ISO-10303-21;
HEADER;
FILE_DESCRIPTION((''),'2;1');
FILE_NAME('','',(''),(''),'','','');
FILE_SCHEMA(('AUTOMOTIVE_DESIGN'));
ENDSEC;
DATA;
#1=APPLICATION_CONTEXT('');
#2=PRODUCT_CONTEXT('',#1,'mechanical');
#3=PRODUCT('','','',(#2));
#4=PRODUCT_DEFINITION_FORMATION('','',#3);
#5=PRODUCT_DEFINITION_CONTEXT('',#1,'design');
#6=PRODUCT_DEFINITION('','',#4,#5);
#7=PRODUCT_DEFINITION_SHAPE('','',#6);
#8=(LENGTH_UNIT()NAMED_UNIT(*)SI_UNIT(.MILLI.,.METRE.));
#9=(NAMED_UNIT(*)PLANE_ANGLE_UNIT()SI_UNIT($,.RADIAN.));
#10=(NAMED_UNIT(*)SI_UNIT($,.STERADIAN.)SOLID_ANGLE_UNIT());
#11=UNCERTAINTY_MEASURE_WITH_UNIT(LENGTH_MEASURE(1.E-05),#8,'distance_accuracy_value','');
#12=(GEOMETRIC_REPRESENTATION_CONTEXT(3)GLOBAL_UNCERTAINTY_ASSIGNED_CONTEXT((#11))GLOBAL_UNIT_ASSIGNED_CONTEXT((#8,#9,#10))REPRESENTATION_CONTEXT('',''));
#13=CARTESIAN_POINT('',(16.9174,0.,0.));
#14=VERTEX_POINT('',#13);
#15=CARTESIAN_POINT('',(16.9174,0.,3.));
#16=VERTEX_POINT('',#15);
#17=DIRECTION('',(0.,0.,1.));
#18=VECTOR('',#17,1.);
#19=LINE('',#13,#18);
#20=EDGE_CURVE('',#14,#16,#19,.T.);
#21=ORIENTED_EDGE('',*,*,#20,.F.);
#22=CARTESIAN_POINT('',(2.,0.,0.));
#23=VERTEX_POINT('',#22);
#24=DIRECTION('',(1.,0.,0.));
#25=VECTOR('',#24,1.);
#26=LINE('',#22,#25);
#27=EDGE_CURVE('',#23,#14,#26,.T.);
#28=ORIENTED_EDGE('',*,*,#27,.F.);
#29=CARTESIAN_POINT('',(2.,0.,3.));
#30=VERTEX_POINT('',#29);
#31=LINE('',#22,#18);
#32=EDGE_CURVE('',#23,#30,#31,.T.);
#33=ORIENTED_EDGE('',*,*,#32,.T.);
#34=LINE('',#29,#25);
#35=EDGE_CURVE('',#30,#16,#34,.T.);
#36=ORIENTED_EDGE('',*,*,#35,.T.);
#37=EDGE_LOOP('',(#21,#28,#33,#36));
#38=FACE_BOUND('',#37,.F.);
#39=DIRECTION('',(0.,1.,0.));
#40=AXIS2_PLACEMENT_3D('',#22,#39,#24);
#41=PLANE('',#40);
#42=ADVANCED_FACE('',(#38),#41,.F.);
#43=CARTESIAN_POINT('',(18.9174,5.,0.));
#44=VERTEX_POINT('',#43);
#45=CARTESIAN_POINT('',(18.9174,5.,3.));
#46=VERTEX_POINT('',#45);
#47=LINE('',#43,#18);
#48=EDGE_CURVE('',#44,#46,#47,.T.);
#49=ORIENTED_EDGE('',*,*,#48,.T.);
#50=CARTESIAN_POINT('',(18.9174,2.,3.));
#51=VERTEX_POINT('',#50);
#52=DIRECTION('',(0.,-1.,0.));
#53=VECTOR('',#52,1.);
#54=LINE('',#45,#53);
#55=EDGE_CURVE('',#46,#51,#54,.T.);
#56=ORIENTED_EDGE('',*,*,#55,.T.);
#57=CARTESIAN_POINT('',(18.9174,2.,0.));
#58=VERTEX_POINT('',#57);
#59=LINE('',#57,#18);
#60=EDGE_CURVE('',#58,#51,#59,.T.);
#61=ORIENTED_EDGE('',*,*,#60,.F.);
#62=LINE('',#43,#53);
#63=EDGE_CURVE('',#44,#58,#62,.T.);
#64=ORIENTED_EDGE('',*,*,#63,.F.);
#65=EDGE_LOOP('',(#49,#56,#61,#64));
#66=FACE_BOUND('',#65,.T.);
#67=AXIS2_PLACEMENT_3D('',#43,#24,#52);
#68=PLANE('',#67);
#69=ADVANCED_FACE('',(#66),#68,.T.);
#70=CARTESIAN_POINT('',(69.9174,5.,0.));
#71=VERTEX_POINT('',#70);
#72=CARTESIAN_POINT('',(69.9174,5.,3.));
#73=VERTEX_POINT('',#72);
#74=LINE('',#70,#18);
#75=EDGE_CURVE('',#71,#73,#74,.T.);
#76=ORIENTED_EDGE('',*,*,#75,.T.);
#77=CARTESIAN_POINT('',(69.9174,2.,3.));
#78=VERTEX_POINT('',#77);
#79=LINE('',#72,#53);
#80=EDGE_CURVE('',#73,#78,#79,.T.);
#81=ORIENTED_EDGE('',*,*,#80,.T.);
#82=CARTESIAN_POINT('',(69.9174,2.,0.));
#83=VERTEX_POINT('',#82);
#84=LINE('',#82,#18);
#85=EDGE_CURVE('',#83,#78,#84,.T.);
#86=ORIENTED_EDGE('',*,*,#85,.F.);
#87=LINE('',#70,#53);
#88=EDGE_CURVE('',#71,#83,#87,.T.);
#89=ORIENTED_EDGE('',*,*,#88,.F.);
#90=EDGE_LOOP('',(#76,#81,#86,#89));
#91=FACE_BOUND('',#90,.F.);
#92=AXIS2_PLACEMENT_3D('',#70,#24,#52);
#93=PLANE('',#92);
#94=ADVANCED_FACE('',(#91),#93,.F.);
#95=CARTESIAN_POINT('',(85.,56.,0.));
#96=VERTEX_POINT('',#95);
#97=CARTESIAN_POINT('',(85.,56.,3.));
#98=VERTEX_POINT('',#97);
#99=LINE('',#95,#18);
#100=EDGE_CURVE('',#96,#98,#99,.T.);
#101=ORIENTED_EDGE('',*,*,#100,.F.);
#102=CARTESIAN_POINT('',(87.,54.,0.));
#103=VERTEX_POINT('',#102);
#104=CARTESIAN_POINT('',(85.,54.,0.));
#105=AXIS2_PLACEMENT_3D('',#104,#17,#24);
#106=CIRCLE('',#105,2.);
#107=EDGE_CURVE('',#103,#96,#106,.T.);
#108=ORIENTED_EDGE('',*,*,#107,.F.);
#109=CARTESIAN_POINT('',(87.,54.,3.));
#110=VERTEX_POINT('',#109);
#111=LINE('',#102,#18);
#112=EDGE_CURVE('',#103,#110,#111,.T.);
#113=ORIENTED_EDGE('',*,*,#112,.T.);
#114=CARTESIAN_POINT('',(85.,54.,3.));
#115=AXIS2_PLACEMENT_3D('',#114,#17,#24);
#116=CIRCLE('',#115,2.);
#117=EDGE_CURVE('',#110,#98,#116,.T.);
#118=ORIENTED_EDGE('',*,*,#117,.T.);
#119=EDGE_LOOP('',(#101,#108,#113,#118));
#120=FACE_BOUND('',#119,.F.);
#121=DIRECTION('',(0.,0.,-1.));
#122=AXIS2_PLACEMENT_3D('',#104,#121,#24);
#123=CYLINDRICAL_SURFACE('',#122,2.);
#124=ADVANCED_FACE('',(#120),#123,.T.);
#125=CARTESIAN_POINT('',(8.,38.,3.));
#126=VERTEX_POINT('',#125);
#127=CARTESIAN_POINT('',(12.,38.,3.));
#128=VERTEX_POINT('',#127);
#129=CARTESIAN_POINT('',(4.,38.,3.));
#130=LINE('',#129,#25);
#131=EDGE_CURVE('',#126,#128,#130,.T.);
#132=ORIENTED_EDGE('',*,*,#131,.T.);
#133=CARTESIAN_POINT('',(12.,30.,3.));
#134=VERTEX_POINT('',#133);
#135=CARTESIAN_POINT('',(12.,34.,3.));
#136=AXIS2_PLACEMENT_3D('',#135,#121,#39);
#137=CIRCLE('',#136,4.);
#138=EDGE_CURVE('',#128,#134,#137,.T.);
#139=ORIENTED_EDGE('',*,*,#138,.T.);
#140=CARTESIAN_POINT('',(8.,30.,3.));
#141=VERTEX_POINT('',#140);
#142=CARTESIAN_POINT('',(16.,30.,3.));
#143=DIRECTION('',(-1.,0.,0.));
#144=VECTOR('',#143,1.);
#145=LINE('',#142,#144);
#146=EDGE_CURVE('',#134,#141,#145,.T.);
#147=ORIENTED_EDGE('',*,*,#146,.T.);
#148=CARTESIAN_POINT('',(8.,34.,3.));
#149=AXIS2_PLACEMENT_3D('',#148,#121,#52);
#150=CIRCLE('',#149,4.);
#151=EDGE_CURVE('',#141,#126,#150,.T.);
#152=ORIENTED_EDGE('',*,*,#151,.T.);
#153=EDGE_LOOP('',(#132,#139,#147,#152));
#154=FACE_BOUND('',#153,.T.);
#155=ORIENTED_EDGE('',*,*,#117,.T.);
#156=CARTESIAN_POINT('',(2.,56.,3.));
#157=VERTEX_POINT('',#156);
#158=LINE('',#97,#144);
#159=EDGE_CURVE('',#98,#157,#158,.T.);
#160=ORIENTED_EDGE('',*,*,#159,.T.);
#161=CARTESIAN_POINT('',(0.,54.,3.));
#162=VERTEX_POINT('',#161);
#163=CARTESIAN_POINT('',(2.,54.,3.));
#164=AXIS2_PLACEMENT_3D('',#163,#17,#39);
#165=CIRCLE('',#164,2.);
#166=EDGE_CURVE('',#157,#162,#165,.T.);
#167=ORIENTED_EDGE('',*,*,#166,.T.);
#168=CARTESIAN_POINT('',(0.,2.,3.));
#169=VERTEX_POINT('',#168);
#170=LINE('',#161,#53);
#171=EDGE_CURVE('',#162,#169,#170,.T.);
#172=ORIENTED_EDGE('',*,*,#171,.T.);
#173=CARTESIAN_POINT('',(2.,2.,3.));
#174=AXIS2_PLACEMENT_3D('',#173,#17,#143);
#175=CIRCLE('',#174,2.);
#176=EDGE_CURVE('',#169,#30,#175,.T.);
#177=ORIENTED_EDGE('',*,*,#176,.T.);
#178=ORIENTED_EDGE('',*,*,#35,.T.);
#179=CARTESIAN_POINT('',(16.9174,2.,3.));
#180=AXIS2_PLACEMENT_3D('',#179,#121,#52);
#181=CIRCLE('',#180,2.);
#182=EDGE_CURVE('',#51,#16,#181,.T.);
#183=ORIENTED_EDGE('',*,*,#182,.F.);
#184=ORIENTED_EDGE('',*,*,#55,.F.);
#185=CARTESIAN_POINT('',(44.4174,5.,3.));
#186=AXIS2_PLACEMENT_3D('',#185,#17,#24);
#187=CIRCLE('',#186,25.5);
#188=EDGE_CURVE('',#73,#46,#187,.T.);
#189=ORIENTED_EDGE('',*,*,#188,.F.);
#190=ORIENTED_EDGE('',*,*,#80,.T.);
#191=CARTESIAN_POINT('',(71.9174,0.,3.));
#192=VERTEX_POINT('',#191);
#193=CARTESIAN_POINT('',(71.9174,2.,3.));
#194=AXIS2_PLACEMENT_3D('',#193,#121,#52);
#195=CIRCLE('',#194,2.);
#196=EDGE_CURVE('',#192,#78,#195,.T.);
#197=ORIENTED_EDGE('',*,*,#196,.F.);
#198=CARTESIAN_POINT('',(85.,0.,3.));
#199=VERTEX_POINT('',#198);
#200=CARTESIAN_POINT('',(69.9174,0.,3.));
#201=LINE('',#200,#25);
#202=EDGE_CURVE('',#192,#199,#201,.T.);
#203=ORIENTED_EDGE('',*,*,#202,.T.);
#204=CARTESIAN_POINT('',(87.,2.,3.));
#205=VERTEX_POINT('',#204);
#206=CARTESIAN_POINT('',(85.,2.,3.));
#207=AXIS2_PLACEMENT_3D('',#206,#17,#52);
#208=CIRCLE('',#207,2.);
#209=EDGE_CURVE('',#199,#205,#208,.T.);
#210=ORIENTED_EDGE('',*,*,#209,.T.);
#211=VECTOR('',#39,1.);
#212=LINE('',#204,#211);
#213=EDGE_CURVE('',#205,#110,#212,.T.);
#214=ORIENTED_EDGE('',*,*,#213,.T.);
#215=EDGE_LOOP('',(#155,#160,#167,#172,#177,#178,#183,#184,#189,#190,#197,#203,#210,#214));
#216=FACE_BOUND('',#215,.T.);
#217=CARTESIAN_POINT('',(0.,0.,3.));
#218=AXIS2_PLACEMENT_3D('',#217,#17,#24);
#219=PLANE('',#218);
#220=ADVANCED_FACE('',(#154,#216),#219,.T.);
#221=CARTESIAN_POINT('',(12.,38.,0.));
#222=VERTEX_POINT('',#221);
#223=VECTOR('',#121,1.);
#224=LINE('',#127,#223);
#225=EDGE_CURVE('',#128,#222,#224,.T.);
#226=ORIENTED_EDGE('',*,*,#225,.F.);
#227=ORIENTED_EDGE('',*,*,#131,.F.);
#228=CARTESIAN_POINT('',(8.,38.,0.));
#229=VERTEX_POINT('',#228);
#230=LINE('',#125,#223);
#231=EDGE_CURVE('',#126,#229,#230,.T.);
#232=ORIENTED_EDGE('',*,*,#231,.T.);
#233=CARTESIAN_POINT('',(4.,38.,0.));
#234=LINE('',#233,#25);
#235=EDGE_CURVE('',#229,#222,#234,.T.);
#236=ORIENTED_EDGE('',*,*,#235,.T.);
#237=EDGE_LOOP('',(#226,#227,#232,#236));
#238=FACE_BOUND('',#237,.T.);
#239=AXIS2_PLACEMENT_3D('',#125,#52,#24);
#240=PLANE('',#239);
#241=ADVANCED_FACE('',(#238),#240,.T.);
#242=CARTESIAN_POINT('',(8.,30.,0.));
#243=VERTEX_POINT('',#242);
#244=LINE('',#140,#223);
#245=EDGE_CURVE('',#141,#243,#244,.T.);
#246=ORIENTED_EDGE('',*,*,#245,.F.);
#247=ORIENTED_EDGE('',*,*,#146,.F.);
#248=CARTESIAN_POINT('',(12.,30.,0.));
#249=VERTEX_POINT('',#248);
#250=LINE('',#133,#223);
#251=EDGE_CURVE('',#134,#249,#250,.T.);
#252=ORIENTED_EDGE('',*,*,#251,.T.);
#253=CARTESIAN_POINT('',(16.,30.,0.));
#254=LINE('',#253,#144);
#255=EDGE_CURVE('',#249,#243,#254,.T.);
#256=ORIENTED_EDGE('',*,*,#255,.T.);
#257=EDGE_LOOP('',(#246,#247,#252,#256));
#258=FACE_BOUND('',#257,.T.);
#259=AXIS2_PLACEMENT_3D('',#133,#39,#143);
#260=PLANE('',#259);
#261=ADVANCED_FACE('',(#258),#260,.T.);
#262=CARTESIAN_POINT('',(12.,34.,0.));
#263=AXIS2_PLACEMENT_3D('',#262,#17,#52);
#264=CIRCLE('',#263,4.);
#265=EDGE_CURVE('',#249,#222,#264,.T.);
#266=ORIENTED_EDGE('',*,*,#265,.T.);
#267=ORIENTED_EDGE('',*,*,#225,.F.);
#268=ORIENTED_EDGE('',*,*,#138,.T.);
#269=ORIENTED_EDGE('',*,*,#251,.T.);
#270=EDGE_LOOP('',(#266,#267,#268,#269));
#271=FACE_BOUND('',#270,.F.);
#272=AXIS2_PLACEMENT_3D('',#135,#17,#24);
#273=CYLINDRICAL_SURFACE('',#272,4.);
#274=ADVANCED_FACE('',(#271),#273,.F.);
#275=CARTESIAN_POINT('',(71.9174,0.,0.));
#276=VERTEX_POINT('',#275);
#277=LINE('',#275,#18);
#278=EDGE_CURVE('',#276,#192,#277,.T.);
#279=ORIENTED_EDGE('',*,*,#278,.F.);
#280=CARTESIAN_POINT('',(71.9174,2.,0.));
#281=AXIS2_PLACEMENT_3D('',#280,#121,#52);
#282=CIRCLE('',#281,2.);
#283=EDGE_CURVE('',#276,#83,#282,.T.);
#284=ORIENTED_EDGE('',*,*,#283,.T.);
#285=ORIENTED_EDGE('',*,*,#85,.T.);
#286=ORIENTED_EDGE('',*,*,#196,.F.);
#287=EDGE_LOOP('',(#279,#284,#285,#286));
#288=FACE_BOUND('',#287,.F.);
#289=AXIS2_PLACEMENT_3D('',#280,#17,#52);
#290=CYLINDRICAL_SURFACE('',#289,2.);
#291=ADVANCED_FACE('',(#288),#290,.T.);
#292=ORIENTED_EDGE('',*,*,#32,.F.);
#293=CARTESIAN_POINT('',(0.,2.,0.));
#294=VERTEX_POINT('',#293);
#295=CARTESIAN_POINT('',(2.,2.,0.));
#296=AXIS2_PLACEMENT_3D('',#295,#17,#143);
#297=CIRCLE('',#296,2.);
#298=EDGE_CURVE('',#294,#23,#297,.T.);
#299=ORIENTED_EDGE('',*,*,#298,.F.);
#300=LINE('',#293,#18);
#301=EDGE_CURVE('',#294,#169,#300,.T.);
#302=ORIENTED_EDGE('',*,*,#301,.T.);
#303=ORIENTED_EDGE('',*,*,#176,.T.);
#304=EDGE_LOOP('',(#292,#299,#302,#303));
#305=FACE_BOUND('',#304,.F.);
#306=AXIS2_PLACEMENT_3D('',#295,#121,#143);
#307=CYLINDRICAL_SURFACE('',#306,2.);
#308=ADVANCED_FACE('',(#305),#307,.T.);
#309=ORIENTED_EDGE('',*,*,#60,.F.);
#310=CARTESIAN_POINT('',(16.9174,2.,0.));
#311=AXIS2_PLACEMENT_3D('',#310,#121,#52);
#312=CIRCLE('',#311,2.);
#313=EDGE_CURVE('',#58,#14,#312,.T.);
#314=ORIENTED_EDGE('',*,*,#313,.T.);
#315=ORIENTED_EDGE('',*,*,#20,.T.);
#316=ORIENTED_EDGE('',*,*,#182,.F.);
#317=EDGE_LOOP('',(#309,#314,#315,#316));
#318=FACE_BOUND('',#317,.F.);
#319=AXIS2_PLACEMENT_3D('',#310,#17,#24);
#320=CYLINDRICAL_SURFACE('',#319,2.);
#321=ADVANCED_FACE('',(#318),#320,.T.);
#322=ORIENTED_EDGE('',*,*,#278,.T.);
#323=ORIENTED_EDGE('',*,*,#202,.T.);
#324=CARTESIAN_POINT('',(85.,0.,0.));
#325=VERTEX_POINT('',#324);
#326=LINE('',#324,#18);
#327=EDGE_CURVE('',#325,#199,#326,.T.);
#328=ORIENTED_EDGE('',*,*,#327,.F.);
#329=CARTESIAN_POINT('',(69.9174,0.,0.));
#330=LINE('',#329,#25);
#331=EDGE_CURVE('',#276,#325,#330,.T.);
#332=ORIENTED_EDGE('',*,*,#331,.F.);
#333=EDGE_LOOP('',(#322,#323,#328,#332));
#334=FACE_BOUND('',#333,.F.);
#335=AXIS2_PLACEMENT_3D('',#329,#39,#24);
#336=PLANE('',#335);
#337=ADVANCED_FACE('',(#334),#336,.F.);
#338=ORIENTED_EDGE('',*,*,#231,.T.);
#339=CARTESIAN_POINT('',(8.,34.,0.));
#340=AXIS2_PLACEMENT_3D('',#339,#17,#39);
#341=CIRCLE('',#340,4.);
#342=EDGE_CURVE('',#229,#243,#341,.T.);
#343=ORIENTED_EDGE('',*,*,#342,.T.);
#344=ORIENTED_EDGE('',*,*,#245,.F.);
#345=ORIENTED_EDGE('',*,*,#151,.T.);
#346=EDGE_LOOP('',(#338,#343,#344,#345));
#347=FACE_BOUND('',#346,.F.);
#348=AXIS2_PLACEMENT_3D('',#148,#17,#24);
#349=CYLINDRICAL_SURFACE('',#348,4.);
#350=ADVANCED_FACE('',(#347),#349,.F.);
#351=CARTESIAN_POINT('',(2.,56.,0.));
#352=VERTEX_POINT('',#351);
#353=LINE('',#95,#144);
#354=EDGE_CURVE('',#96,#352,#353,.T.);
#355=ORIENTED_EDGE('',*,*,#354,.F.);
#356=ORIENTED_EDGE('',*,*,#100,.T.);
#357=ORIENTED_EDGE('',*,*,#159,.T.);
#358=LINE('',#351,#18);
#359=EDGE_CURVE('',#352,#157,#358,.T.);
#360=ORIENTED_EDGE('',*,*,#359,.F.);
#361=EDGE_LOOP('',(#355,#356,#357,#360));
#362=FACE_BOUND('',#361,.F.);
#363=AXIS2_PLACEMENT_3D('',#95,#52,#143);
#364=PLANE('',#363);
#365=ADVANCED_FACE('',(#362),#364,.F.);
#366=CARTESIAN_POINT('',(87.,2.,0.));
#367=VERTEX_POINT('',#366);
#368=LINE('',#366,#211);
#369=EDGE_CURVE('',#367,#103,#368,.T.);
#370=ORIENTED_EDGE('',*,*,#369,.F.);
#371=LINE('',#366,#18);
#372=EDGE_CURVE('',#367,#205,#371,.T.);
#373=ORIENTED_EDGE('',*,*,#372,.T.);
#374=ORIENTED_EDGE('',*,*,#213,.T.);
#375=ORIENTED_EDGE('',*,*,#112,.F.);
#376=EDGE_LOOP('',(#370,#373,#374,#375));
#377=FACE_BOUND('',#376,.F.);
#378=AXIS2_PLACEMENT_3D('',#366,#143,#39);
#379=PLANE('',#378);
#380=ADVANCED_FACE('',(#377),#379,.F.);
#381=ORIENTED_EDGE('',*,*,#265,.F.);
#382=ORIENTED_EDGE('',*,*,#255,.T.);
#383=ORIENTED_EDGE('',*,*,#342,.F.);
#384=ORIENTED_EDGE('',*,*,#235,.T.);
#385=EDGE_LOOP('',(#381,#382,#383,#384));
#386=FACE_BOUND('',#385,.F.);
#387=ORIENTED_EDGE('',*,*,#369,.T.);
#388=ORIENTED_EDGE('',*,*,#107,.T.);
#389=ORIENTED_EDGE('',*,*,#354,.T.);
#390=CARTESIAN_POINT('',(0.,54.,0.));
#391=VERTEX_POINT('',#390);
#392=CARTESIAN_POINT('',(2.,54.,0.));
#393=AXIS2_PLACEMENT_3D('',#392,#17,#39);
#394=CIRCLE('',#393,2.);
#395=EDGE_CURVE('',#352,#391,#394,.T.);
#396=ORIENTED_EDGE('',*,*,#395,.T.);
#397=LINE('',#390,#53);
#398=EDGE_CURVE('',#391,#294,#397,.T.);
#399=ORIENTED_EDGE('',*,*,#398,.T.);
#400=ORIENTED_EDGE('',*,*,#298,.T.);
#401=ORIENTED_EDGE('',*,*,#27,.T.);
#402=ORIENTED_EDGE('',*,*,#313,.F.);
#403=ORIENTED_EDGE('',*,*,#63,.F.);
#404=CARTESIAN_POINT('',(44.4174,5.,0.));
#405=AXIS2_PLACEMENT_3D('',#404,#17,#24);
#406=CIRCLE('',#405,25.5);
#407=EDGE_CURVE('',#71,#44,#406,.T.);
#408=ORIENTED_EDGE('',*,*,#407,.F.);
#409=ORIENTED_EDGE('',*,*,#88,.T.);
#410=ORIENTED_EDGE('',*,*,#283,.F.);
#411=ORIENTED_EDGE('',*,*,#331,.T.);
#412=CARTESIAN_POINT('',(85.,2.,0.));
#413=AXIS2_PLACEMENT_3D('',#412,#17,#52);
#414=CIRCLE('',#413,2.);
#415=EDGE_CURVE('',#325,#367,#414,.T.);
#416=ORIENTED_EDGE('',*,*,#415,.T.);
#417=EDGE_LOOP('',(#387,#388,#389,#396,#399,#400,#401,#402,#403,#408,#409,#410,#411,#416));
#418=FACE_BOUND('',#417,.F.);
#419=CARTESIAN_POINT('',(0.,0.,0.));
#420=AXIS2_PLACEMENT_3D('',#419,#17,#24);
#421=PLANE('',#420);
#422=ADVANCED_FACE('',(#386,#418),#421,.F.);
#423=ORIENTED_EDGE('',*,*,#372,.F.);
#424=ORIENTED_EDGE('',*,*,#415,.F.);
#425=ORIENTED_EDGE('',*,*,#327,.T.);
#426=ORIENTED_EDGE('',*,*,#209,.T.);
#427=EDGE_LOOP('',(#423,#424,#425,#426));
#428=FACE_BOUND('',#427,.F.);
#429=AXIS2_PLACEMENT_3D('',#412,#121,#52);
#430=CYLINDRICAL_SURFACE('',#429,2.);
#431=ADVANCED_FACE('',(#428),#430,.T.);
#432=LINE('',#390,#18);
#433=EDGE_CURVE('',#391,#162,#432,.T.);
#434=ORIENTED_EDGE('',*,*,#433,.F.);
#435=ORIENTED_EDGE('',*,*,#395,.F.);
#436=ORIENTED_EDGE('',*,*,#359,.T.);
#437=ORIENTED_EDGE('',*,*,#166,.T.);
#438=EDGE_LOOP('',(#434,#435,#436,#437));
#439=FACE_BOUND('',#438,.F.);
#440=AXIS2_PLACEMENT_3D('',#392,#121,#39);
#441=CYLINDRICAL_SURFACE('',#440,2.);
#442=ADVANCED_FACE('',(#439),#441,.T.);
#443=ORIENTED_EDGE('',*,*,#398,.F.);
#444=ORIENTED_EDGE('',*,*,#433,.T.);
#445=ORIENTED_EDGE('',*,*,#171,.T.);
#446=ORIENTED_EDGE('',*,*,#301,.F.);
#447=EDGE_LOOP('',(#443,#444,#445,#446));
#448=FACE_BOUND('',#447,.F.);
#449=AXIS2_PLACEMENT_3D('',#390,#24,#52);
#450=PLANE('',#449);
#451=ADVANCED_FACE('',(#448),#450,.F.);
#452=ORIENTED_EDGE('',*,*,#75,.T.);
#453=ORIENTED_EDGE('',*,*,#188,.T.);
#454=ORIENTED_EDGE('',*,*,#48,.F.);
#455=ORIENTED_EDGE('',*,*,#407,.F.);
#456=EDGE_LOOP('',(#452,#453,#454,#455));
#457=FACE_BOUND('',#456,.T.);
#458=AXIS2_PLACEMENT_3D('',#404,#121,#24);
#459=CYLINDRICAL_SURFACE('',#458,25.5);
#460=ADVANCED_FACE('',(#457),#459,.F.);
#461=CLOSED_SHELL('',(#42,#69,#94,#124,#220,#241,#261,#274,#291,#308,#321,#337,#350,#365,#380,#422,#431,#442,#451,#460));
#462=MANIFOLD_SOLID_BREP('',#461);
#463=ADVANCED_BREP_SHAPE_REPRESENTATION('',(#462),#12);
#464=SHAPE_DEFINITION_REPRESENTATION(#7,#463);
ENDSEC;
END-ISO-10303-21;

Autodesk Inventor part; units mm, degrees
ref_plane "YZ Plane" through (0, 0, 0) normal (1, 0, 0) x (0, 1, 0)
ref_plane "XZ Plane" through (0, 0, 0) normal (0, 1, 0) x (-1, 0, 0)
ref_plane "XY Plane" through (0, 0, 0) normal (0, 0, 1) x (1, 0, 0)
sketch "Sketch1" plane through (0, 0, 0) normal (0, 0, 1) x (1, 0, 0)
  line L0 (2, 0) -> (20.9174, 0)
  line L1 (87, 2) -> (87, 54)
  line L2 (85, 56) -> (2, 56)
  line L3 (0, 54) -> (0, 2)
  line L4 (44.4174, 5) -> (44.4174, 0)
  arc A0 (2, 56) -> (0, 54) centre (2, 54) ccw
  arc A1 (87, 54) -> (85, 56) centre (85, 54) ccw
  arc A2 (85, 0) -> (87, 2) centre (85, 2) ccw
  arc A3 (0, 2) -> (2, 0) centre (2, 2) ccw
  line L5 (69.9174, 0) -> (85, 0)
  line L6 (20.9174, 0) -> (20.9174, 5)
  circle A4 centre (44.4174, 5) radius 23.5
  line L7 (67.9174, 0) -> (67.9174, 5)
  line L8 (67.9174, 0) -> (69.9174, 0)
  circle A5 centre (44.4174, 5) radius 25.5
  line L9 (18.9174, 5) -> (18.9174, 0)
  line L10 (69.9174, 5) -> (69.9174, 0)
  point P0 (0, 0)
  point P1 (87, 56)
  point P2 (87, 0)
  point P3 (0, 56)
  dimension "d0" = 87
  dimension "d1" = 56
  dimension "d2" = 5
  dimension "d7" = 2
  dimension "d10" = 20.9174
  dimension "d11" = 47
  dimension "d12" = 2
extrude "Extrusion1" add sketch "Sketch1" along normal blind 3 contours A3 L3 A0 L2 A1 L1 A2 L5 L10 A5 L9 L0
fillet "Fillet1" radius 2 2 edges at (18.9174, 0, 1.5) (69.9174, 0, 1.5)
sketch "Sketch2" plane through (0, 0, 3) normal (0, 0, 1) x (1, 0, 0)
  line L0 (4, 38) -> (16, 38)
  line L1 (16, 38) -> (16, 30)
  line L2 (16, 30) -> (4, 30)
  line L3 (4, 30) -> (4, 38)
  line L4 (2, 0) -> (16.9174, 0) projected
  line L5 (0, 54) -> (0, 2) projected
  circle A0 centre (8, 34) radius 4
  circle A1 centre (12, 34) radius 4
  point P0 (0, 0)
  point P1 (12, 38)
  point P2 (8, 38)
  point P3 (8, 30)
  point P4 (12, 30)
  dimension "d14" = 30
  dimension "d15" = 8
  dimension "d16" = 4
  dimension "d17" = 12
extrude "Extrusion2" cut sketch "Sketch2" against normal blind 3 contours L0 A1 A0 | A0 A1 | A1 A0 | A0 A1 | A0 A1 L2
properties part number "PAREDES LATERALES"
